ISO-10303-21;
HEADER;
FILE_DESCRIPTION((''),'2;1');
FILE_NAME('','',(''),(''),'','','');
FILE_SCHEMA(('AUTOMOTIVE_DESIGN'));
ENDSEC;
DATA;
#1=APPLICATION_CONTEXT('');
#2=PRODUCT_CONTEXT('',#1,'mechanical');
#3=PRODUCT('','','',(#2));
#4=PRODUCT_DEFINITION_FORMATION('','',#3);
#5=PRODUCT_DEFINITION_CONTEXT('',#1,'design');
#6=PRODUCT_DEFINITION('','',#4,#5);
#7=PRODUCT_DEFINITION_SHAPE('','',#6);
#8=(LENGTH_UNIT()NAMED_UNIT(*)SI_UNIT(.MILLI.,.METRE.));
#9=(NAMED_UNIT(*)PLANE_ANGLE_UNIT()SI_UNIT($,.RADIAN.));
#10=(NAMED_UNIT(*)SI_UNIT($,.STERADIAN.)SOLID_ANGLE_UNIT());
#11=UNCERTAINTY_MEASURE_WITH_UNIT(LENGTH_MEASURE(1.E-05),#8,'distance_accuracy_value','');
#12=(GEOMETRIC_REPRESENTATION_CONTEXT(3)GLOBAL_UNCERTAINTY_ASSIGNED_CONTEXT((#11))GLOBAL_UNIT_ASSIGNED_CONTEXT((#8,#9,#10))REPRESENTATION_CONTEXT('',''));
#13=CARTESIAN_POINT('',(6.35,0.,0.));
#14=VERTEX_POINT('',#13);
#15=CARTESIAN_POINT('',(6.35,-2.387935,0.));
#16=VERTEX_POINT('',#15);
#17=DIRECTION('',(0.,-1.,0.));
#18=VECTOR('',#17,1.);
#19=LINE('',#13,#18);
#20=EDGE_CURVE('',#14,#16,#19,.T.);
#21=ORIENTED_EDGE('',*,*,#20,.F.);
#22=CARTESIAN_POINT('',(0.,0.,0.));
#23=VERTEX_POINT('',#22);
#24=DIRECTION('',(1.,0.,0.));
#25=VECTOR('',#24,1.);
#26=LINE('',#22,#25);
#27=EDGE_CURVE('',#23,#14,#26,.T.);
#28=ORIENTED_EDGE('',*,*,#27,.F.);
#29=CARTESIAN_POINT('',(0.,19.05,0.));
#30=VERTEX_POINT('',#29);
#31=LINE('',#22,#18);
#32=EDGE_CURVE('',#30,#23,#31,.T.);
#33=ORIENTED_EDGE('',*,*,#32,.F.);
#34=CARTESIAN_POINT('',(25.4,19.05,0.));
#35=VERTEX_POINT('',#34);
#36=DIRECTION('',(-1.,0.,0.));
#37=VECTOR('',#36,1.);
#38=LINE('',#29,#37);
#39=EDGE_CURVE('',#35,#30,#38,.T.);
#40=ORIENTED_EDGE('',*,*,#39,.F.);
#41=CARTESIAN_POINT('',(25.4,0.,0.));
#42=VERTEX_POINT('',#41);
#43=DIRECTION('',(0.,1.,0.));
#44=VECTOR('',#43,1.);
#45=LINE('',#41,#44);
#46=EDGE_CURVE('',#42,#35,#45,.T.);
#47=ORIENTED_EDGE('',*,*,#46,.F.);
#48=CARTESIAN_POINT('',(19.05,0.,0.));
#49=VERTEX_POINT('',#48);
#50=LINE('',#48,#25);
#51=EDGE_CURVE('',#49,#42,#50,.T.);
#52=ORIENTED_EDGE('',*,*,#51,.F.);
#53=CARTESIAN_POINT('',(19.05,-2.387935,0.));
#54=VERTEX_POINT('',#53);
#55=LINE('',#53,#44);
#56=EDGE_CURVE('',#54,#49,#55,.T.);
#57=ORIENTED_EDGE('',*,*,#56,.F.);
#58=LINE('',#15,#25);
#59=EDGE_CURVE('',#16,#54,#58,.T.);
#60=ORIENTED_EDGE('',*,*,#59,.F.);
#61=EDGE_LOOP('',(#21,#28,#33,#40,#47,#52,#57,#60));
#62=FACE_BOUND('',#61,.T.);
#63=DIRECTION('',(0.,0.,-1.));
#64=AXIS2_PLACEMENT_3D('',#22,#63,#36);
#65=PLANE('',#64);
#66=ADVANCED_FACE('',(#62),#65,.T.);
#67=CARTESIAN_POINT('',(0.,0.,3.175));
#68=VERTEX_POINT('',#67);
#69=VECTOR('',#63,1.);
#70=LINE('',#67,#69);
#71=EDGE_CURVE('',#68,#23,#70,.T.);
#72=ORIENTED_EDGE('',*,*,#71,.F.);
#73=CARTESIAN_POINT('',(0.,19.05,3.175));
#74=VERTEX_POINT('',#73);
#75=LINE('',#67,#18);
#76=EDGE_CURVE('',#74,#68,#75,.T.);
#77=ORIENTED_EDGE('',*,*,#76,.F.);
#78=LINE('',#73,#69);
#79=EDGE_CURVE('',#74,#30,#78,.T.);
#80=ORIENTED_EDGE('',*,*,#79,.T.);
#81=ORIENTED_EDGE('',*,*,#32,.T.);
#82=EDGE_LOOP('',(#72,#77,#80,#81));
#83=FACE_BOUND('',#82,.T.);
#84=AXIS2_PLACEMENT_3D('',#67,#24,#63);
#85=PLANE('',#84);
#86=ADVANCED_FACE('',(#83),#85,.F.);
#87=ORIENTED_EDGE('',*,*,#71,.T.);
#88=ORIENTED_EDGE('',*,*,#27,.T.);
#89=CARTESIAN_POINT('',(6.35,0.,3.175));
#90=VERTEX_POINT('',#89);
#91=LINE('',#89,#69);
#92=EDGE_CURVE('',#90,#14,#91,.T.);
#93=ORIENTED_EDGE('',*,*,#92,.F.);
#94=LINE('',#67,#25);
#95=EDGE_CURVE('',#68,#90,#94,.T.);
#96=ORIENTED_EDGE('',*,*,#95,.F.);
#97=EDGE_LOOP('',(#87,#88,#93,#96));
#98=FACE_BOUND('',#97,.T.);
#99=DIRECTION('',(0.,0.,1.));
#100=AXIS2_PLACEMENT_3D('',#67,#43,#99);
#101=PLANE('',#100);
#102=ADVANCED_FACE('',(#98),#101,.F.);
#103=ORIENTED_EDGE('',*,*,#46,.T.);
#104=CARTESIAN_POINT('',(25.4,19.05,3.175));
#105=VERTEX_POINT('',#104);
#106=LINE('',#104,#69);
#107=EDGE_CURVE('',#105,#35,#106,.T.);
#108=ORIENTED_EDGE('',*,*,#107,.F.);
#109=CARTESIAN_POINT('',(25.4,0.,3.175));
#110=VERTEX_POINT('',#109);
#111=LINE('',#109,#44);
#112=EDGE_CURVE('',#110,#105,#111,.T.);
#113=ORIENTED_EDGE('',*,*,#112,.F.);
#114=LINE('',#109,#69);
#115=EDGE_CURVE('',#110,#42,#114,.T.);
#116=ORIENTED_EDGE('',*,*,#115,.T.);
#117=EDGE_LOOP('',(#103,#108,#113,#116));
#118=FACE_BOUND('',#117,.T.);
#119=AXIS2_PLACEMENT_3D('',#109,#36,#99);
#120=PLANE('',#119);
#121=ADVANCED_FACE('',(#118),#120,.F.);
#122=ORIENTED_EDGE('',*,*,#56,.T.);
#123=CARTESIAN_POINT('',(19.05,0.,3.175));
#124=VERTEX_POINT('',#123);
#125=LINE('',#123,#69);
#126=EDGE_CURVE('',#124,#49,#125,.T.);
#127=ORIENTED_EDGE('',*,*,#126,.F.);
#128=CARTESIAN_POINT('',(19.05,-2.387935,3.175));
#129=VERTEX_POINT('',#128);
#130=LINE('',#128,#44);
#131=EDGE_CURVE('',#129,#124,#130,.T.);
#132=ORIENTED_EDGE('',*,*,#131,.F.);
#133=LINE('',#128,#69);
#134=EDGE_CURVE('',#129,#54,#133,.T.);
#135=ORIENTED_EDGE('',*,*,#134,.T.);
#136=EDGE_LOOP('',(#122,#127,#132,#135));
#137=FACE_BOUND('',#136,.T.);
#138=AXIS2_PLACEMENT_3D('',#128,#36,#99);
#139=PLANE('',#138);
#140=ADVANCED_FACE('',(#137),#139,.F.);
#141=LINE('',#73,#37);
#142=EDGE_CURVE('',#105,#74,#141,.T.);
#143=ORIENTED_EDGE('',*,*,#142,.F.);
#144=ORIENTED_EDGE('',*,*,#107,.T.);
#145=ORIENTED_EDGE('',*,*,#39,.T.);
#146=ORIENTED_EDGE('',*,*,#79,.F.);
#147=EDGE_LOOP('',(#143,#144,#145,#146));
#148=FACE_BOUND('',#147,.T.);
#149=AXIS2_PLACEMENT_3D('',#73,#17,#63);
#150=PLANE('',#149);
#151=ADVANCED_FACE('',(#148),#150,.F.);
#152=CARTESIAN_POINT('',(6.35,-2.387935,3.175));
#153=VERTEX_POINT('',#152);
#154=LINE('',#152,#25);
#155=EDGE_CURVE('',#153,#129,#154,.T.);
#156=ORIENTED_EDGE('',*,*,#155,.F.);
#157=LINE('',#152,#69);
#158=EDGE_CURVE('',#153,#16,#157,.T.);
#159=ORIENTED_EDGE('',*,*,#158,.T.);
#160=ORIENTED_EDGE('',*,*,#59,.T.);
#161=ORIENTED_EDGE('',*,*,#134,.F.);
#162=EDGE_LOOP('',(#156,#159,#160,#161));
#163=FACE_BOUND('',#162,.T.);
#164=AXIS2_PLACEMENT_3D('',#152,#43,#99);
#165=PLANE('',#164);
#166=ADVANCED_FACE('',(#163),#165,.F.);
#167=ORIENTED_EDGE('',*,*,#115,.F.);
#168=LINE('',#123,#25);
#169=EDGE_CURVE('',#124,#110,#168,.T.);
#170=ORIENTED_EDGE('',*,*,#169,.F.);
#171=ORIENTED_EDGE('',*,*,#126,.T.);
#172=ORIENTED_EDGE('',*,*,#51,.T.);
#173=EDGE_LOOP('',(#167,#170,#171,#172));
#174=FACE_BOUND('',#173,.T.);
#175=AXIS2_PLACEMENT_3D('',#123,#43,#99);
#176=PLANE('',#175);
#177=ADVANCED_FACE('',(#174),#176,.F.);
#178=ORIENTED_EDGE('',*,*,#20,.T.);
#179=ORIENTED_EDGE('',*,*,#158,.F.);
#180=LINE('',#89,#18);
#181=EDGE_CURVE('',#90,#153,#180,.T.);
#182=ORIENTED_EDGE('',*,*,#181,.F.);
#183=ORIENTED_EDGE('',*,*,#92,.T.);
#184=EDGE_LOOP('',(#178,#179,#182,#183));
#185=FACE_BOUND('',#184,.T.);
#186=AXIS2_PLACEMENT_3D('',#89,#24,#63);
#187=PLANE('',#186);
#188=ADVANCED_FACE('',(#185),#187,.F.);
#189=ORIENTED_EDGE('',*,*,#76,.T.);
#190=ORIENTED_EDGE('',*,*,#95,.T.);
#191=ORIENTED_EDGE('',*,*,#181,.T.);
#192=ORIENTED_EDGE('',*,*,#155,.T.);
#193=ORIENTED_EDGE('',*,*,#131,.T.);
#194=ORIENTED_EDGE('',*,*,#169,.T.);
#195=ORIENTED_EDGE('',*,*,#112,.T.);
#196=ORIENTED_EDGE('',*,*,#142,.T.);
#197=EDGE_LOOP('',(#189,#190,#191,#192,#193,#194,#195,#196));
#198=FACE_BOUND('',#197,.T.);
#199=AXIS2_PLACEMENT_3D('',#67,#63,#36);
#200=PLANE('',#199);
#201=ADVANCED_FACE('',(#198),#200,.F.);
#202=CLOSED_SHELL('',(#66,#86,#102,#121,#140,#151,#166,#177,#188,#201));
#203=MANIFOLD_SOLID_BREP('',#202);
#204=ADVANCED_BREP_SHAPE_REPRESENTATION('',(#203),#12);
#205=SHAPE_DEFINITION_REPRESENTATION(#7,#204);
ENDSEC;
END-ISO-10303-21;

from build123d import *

# Parameters (mm, degrees)
BOSS_EXTRUDE1_DEPTH = 3.175


with BuildPart() as part:
    # Sketch1 → Boss-Extrude1 (new body)
    with BuildSketch(Plane.XY):
        Polygon((6.35, 0), (6.35, -2.387934918), (19.05, -2.387934918), (19.05, 0), (25.4, 0), (25.4, 19.05), (0, 19.05), (0, 0), align=None)
    extrude(amount=BOSS_EXTRUDE1_DEPTH)


solid = part.part
